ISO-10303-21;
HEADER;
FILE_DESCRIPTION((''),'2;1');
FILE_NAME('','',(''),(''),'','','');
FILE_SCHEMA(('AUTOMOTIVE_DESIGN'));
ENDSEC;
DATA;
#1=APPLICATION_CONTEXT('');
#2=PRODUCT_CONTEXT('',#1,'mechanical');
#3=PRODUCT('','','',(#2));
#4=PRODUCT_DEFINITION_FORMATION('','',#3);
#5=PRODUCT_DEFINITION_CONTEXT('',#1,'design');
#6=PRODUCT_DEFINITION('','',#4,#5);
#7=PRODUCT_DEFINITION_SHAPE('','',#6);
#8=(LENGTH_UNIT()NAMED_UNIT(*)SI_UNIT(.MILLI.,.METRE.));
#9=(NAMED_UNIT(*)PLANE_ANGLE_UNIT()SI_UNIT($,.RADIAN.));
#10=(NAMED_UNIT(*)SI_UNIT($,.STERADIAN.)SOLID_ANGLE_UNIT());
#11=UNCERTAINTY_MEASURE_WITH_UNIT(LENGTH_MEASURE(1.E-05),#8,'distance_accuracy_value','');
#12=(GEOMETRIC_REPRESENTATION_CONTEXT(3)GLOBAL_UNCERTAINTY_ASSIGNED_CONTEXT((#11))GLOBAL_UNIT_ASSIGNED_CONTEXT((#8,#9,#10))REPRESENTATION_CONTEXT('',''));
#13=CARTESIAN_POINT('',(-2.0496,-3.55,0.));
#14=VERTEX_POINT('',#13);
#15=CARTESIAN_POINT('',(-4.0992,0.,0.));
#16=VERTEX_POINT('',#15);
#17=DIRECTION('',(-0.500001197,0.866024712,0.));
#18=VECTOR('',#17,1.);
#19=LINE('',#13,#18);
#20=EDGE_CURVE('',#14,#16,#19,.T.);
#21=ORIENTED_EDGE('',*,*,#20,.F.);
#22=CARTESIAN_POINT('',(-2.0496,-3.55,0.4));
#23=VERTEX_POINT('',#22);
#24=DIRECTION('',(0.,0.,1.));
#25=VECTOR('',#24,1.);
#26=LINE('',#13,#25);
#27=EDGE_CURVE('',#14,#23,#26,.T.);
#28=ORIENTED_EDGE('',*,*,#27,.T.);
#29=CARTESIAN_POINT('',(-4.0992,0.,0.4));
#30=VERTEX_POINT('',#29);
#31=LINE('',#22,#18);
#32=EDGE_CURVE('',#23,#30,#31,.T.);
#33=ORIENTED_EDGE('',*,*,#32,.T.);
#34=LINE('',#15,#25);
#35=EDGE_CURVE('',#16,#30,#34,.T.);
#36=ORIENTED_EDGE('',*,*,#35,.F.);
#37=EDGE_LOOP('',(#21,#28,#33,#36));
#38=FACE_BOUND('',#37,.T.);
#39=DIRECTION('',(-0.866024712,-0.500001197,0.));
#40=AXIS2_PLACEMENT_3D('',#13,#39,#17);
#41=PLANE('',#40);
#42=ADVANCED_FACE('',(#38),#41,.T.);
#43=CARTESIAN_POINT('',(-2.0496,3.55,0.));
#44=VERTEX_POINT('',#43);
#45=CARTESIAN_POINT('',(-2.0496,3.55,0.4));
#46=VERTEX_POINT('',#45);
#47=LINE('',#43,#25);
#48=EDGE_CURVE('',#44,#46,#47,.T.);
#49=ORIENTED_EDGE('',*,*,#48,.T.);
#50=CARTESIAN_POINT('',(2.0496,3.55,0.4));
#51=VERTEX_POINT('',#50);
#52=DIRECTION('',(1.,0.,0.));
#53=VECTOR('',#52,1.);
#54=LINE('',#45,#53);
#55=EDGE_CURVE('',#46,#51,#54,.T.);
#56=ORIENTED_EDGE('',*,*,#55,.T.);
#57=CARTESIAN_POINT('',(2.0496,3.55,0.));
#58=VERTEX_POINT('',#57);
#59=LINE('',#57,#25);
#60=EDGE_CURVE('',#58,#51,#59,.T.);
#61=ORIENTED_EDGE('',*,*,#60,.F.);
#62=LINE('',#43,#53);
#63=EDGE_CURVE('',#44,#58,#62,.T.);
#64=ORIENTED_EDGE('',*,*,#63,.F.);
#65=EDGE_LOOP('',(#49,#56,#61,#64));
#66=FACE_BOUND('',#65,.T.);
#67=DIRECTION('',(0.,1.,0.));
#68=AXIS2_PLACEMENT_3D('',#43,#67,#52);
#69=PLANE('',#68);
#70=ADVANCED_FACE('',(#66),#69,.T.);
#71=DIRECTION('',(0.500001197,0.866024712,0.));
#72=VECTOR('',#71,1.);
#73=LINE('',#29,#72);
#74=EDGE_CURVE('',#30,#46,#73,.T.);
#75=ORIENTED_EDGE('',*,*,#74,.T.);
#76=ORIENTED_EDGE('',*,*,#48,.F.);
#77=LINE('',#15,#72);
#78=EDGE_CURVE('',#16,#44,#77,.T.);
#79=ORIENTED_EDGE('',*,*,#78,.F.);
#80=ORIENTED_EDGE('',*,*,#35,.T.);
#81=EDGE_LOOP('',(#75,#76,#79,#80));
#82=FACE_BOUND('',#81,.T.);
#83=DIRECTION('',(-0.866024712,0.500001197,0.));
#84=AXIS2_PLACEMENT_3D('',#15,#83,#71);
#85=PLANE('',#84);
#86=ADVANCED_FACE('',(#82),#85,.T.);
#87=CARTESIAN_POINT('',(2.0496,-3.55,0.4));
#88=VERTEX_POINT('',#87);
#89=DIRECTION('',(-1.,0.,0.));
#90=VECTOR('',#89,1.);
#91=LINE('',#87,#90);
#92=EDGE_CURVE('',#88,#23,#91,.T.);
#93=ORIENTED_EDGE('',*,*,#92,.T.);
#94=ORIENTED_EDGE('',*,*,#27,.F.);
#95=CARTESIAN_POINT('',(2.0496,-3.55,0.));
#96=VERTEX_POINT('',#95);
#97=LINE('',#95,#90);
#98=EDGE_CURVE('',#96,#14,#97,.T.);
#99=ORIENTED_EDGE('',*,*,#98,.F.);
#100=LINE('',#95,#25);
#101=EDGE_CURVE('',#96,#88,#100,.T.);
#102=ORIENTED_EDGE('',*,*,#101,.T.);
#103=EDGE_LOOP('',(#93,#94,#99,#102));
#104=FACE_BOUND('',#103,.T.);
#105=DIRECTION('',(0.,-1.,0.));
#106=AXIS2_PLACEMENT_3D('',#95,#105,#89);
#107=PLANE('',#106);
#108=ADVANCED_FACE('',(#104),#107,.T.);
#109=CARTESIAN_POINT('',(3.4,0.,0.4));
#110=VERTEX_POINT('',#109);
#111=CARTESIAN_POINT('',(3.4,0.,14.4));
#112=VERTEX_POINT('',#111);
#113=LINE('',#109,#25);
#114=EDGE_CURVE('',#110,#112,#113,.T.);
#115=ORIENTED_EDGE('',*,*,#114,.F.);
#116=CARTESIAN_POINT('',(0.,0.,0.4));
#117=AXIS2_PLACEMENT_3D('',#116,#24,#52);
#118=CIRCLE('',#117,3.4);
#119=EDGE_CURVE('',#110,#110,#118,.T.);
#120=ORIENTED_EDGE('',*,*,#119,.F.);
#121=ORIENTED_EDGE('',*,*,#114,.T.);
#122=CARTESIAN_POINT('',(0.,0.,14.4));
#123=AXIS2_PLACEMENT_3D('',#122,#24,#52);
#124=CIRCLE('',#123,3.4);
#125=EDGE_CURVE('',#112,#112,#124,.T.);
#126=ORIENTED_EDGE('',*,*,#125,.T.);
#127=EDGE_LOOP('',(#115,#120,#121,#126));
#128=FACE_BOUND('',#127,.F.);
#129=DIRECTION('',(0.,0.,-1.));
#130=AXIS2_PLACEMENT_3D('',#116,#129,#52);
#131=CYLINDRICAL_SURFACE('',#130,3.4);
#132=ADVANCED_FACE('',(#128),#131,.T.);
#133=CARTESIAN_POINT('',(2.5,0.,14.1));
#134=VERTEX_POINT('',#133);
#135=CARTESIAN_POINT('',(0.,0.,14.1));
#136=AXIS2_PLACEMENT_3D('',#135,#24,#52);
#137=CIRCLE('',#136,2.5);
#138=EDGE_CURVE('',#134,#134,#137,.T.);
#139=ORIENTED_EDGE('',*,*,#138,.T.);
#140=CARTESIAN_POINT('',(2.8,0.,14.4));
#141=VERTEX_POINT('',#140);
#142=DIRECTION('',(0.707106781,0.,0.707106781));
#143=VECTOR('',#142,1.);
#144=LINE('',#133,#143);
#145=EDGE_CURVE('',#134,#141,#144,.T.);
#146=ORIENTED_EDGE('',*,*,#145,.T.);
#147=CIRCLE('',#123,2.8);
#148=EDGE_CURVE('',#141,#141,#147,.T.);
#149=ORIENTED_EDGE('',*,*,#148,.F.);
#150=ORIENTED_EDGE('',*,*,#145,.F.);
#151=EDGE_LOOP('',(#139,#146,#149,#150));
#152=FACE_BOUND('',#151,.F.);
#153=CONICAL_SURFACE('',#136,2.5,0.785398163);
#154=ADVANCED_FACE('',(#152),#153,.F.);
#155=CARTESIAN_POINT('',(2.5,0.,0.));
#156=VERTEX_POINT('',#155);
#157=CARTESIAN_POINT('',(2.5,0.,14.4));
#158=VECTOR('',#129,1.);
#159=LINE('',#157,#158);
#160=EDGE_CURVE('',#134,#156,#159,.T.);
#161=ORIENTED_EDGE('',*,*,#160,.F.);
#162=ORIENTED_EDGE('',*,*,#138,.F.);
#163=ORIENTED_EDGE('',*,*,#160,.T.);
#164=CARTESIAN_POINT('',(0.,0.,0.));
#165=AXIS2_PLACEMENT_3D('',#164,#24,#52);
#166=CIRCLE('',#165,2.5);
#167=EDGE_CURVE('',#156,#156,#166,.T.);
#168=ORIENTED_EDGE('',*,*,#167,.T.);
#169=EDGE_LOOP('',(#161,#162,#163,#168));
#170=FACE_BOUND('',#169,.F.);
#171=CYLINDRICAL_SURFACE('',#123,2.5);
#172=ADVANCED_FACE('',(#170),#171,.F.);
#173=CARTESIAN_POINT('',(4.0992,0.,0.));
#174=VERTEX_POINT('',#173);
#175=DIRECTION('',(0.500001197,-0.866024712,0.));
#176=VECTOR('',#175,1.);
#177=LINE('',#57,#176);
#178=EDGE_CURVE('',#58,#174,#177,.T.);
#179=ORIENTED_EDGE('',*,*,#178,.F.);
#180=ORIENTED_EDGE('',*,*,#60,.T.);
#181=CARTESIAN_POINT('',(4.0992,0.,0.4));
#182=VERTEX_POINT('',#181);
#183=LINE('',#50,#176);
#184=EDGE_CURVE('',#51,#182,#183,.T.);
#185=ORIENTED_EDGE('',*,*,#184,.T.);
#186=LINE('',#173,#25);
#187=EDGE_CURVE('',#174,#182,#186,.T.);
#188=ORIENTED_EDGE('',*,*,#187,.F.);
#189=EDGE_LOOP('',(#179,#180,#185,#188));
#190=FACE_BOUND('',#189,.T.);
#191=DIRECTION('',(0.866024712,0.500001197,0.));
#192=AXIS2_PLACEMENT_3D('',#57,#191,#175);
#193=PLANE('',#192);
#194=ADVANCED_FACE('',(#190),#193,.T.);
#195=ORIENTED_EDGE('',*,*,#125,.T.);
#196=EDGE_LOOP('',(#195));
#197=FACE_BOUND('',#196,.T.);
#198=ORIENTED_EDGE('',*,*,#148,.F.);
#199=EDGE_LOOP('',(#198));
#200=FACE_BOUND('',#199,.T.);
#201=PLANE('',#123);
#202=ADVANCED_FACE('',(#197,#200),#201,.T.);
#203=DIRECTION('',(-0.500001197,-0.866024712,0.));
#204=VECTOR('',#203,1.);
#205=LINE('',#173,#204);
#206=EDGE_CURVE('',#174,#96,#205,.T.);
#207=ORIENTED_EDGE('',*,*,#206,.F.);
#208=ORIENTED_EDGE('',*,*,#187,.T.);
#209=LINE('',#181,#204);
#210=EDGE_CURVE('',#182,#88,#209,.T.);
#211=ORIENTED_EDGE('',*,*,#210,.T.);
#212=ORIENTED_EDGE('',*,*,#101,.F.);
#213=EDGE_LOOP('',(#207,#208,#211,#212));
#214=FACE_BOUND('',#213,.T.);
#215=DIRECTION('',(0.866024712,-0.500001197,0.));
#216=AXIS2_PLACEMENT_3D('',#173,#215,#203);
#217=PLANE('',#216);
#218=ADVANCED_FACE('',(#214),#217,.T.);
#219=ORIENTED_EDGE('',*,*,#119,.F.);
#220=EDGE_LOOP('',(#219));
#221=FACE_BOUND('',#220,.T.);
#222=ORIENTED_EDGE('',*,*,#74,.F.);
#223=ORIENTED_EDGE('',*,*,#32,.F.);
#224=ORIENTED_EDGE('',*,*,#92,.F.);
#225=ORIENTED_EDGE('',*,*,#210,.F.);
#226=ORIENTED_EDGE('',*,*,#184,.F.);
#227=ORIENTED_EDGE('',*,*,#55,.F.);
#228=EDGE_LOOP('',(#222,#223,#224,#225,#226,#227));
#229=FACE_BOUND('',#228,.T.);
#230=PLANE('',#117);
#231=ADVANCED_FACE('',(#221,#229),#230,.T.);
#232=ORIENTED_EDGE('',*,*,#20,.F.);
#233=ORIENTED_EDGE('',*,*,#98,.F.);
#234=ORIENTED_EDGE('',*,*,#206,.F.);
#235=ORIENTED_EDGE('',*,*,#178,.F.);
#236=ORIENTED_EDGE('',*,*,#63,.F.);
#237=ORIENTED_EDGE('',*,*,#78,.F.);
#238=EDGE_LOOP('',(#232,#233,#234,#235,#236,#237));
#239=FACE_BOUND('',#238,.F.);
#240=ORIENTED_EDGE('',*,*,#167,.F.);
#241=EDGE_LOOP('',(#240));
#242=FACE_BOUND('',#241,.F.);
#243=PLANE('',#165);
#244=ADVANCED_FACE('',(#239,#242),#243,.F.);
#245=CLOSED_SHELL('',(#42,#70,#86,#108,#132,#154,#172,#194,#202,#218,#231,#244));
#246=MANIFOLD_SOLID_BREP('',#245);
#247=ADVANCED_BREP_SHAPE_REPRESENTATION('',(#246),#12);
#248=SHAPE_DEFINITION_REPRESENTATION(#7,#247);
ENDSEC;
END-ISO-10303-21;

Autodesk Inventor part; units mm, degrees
ref_plane "YZ Plane" through (0, 0, 0) normal (1, 0, 0) x (0, 1, 0)
ref_plane "XZ Plane" through (0, 0, 0) normal (0, 1, 0) x (-1, 0, 0)
ref_plane "XY Plane" through (0, 0, 0) normal (0, 0, 1) x (1, 0, 0)
sketch "Sketch1" plane through (0, 0, 0) normal (0, 0, 1) x (1, 0, 0)
  line L0 (2.0496, 3.55) -> (4.0992, 0)
  line L1 (4.0992, 0) -> (2.0496, -3.55)
  line L2 (2.0496, -3.55) -> (-2.0496, -3.55)
  line L3 (-2.0496, -3.55) -> (-4.0992, 0)
  line L4 (-4.0992, 0) -> (-2.0496, 3.55)
  line L5 (-2.0496, 3.55) -> (2.0496, 3.55)
  point P0 (0, 0)
  dimension "d0" = 7.1
extrude "Extrusion1" add sketch "Sketch1" along normal blind 0.4
sketch "Sketch2" plane through (0, 0, 0.4) normal (0, 0, 1) x (1, 0, 0)
  circle A0 centre (0, 0) radius 3.4
  dimension "d3" = 6.8
extrude "Extrusion2" add sketch "Sketch2" along normal blind 14
sketch "Sketch3" plane through (0, 0, 14.4) normal (0, 0, 1) x (1, 0, 0)
  circle A0 centre (0, 0) radius 3.4 projected
  circle A1 centre (0, 0) radius 2.5
  dimension "d6" = 5
extrude "Extrusion3" cut sketch "Sketch3" against normal blind 15 contours A1
chamfer "Chamfer1" distance 0.3 angle 45 1 edges at (-2.5, 0, 14.4)
thread "Thread1" size "M5x0.8" class "6H" standard "ANSI Metric M Profile" full length
properties part number "Вытяжная заклепка_Р-Ш-М5-Ум" material "Сталь низкоуглеродистая"
